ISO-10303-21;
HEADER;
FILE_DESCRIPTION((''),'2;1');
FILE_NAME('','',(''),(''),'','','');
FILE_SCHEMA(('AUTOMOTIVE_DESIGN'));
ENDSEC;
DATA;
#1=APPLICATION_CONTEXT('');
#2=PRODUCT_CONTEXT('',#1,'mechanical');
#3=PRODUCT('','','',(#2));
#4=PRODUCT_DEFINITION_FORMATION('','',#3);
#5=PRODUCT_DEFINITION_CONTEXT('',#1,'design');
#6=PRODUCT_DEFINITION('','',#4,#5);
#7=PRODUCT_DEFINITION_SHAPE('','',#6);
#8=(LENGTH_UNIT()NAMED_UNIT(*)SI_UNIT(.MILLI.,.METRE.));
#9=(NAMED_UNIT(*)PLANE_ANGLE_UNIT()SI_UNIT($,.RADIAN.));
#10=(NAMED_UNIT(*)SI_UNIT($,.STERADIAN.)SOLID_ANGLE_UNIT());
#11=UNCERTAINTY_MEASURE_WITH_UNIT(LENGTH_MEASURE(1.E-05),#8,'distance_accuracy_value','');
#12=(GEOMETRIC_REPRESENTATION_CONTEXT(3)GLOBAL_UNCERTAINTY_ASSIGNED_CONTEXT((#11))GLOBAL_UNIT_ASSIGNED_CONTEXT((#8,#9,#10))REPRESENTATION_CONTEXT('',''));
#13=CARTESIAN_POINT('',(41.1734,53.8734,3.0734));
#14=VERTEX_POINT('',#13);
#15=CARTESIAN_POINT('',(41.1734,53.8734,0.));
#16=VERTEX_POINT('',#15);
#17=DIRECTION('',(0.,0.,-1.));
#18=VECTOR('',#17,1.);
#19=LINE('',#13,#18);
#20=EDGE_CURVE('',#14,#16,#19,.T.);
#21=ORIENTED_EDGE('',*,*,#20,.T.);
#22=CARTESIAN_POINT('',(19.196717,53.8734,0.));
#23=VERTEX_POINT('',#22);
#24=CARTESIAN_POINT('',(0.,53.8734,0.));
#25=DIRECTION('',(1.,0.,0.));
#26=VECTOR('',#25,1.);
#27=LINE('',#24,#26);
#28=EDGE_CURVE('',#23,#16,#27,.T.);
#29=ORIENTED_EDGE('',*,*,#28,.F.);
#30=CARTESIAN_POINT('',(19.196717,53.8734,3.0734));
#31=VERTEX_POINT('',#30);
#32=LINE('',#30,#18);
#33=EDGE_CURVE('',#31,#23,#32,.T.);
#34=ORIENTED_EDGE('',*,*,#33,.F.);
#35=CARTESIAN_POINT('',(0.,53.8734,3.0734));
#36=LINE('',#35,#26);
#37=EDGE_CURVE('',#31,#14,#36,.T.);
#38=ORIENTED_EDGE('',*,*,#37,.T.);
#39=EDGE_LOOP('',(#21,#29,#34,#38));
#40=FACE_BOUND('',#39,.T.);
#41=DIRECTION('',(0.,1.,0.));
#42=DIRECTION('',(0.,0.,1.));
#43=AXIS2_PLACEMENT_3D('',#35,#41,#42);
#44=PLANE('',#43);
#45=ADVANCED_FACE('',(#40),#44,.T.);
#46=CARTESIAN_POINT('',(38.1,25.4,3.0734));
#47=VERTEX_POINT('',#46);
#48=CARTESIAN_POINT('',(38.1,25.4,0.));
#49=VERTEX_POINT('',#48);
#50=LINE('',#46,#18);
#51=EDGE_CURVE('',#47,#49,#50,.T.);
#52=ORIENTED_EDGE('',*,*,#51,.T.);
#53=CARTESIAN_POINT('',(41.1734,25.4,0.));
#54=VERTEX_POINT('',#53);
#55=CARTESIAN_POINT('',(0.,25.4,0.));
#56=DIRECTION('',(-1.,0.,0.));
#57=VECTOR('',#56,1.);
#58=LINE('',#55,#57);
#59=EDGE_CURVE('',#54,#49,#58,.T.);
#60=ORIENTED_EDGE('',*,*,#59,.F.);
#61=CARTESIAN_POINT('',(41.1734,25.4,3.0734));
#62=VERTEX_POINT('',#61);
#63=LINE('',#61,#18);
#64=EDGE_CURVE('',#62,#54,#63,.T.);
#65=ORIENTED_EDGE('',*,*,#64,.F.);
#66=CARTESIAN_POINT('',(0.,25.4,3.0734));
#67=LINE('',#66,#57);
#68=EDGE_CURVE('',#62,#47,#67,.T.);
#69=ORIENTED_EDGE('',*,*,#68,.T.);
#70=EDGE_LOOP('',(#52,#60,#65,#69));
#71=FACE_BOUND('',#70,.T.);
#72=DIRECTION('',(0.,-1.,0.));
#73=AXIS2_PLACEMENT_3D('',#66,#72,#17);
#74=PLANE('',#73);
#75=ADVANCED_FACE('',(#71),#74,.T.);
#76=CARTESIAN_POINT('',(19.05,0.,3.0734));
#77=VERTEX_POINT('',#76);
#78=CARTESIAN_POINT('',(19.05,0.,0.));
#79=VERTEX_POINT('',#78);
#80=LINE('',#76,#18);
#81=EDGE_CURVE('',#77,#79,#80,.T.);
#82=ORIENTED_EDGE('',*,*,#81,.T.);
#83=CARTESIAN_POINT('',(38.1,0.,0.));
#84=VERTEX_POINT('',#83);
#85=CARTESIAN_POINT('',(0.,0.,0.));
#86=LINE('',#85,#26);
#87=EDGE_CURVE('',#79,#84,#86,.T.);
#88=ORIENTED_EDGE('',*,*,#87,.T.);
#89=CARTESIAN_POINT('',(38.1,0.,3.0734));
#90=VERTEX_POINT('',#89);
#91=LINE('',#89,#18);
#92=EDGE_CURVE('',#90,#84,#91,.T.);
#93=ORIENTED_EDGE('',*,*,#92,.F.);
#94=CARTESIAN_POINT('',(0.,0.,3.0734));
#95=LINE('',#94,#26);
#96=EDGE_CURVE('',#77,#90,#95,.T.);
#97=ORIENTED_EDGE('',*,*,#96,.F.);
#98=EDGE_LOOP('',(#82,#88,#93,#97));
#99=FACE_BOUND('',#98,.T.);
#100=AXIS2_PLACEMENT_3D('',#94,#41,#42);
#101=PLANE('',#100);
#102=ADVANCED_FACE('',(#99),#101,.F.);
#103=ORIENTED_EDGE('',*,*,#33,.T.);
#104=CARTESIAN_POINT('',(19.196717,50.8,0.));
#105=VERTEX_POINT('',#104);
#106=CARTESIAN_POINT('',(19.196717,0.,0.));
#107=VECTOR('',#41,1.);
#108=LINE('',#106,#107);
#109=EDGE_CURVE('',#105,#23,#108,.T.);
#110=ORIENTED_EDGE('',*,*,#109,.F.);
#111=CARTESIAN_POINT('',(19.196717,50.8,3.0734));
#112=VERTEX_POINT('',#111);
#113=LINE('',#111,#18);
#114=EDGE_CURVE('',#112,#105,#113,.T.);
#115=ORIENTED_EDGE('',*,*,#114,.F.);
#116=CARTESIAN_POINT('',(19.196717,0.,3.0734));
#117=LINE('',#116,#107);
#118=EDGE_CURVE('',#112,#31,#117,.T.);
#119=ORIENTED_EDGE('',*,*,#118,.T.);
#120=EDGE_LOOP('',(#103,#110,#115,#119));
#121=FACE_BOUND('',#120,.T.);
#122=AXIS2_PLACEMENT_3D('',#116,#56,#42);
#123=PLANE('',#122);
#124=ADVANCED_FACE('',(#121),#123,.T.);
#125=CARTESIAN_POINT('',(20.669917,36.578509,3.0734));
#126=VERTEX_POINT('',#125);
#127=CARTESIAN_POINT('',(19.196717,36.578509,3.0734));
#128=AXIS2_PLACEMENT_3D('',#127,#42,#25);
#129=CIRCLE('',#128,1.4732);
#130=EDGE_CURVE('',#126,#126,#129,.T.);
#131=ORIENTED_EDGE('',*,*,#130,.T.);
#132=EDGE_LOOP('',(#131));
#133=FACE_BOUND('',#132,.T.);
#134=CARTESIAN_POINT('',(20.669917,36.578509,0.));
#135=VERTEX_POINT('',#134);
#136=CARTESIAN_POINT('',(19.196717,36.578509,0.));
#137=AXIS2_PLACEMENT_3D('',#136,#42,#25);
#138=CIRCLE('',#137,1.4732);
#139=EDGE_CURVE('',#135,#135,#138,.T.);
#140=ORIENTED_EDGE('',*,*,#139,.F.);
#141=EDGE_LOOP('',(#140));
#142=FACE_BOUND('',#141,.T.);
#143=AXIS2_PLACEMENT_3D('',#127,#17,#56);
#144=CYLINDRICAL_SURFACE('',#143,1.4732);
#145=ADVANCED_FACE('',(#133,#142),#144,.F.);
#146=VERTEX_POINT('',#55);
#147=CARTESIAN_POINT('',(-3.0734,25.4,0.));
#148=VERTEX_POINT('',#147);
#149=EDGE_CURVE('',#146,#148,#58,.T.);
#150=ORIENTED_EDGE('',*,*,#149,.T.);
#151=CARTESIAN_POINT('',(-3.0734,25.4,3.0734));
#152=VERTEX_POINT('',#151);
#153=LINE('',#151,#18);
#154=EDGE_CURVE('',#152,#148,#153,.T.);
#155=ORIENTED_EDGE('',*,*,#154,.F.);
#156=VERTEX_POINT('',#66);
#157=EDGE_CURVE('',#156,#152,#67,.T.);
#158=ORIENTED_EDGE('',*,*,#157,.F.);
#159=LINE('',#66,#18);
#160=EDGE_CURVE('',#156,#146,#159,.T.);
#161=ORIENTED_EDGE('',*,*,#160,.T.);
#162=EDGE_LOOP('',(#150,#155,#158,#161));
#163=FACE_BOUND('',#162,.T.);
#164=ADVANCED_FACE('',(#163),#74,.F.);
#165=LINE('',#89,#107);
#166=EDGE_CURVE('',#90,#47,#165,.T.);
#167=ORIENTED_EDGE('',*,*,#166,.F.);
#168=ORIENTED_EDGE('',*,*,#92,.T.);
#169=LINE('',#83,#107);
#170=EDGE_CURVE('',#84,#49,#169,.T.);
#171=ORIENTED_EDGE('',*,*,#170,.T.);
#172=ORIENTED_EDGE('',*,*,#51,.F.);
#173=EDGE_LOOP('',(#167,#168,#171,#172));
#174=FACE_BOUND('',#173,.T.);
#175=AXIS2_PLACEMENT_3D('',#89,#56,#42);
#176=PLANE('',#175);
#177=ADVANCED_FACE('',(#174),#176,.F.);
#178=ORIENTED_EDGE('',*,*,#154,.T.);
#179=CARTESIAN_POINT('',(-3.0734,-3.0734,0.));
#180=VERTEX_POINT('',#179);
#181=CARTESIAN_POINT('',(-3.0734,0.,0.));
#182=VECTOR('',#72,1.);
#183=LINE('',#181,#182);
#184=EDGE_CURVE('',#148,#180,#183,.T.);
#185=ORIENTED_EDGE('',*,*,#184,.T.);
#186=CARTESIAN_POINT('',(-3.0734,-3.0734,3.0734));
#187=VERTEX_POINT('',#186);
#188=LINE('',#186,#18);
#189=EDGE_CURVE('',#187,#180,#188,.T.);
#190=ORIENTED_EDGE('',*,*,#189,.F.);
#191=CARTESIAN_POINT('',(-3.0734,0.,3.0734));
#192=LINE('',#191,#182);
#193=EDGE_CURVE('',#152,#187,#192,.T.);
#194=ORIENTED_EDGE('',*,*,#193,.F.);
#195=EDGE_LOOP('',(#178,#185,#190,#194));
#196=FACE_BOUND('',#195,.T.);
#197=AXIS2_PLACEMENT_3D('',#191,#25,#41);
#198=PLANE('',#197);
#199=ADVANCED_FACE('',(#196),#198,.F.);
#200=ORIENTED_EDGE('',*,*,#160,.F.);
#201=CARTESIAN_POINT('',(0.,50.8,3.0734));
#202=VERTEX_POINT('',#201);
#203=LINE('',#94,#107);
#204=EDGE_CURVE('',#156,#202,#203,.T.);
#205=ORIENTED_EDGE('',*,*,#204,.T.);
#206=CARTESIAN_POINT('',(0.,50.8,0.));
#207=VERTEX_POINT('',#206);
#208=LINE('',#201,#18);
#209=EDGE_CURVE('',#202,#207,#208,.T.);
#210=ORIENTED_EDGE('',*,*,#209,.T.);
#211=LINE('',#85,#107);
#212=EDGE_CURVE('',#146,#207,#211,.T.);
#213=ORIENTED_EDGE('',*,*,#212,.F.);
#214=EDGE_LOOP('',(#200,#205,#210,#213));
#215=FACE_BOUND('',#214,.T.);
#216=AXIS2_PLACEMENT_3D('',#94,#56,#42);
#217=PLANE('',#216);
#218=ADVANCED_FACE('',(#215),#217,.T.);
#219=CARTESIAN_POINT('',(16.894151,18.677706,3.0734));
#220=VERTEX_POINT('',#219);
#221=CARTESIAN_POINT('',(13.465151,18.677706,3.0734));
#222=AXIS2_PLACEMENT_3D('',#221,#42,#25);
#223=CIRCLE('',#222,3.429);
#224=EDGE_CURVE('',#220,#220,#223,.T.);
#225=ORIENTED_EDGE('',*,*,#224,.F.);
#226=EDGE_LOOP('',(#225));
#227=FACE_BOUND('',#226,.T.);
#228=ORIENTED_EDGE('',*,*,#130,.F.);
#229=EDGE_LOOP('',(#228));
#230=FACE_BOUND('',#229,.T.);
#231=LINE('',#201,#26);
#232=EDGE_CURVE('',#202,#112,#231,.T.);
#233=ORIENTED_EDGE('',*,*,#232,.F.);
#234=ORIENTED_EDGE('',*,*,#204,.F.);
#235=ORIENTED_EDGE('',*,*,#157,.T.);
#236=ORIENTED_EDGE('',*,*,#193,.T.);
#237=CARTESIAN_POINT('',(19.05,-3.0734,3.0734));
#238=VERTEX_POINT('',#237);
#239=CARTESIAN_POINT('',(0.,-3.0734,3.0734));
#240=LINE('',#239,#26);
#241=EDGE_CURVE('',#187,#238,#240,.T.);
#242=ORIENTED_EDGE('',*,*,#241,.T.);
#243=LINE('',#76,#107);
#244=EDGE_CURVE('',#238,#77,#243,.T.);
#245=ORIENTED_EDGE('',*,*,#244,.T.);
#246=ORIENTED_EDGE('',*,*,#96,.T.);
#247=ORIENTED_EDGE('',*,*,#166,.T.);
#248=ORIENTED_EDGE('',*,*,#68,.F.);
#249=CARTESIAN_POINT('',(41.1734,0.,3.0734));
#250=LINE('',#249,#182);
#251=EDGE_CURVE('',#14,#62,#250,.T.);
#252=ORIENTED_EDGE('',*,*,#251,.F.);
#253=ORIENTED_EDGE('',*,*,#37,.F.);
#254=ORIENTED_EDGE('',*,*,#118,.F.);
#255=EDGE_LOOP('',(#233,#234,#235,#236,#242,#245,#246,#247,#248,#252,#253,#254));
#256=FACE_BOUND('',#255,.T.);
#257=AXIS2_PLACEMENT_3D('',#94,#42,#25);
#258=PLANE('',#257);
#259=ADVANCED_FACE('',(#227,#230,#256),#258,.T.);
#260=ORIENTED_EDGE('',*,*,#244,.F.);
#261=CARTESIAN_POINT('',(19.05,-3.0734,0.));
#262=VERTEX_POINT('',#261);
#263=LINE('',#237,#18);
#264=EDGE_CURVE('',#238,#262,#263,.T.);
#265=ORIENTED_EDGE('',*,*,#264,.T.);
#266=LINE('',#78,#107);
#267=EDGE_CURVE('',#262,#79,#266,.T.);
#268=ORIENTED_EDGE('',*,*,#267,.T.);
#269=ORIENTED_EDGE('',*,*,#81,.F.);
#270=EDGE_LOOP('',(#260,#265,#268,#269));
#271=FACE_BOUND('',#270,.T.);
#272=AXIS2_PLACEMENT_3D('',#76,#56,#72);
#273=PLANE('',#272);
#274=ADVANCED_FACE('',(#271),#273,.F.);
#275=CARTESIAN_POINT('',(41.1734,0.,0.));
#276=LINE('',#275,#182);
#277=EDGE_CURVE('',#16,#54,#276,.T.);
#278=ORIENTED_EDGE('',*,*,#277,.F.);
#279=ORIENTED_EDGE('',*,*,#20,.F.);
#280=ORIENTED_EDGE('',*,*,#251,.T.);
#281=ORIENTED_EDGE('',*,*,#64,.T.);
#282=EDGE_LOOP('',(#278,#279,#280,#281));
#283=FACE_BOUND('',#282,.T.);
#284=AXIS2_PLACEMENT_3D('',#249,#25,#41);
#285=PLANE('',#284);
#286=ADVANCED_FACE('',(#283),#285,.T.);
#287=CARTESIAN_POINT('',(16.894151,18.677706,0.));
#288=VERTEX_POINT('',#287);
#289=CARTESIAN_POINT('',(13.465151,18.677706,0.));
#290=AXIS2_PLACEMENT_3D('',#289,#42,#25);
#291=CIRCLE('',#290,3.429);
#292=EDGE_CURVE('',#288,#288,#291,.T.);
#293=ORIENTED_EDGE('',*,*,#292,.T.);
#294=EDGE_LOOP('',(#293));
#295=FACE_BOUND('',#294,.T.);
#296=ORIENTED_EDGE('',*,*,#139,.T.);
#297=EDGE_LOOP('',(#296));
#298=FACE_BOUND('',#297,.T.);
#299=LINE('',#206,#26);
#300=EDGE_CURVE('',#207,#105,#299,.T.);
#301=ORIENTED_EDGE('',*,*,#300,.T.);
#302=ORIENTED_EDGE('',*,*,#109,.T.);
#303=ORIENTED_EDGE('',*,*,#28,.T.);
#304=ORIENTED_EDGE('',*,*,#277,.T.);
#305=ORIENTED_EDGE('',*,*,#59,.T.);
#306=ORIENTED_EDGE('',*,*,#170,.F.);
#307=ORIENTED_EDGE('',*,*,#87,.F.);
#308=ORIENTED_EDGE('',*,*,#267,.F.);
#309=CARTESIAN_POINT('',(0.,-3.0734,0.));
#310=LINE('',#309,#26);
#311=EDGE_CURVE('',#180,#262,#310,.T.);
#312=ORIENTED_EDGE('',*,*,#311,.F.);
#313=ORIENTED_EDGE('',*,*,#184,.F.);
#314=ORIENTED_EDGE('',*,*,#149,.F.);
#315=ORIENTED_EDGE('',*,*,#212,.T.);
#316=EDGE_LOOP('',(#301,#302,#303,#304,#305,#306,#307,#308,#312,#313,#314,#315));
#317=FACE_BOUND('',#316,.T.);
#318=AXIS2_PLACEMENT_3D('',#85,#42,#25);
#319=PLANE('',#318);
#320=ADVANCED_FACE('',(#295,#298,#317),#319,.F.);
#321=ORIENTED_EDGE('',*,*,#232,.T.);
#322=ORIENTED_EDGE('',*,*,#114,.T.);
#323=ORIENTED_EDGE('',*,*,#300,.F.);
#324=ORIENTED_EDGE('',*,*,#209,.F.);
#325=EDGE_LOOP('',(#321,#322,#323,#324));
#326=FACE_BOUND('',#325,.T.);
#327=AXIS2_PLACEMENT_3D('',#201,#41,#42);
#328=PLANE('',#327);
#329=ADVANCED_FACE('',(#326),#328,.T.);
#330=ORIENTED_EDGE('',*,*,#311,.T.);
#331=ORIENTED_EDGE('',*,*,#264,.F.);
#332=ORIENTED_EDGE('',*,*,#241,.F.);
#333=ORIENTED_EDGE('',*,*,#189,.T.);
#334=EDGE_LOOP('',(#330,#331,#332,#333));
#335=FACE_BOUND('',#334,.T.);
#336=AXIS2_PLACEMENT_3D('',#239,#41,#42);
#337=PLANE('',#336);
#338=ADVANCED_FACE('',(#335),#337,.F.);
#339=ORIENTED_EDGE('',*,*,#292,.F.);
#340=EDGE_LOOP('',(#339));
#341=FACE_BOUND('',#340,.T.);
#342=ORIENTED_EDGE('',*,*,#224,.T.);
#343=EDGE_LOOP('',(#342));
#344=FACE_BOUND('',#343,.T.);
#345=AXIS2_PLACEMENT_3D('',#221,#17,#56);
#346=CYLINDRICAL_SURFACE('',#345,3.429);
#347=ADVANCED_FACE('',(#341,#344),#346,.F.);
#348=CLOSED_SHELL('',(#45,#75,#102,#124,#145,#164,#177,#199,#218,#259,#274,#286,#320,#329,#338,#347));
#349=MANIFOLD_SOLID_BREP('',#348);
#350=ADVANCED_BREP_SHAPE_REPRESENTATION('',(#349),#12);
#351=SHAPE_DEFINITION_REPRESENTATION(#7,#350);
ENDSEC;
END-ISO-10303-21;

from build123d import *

# Parameters (mm, degrees)
BACKSKETCH_R        = 3.429
BACKSKETCH_R_2      = 1.4732
BOSS_EXTRUDE1_DEPTH = 3.0734


with BuildPart() as part:
    # backSketch → Boss-Extrude1 (new body)
    with BuildSketch(Plane.XY):
        Polygon((0, 50.8), (0, 25.4), (-3.0734, 25.4), (-3.0734, -3.0734), (19.05, -3.0734), (19.05, 0), (38.1, 0), (38.1, 25.4), (41.1734, 25.4), (41.1734, 53.8734), (19.196716748, 53.8734), (19.196716748, 50.8), align=None)
        with Locations((13.465150567, 18.677705992)):
            Circle(BACKSKETCH_R, mode=Mode.SUBTRACT)
        with Locations((19.196716748, 36.578509469)):
            Circle(BACKSKETCH_R_2, mode=Mode.SUBTRACT)
    extrude(amount=BOSS_EXTRUDE1_DEPTH)


solid = part.part
